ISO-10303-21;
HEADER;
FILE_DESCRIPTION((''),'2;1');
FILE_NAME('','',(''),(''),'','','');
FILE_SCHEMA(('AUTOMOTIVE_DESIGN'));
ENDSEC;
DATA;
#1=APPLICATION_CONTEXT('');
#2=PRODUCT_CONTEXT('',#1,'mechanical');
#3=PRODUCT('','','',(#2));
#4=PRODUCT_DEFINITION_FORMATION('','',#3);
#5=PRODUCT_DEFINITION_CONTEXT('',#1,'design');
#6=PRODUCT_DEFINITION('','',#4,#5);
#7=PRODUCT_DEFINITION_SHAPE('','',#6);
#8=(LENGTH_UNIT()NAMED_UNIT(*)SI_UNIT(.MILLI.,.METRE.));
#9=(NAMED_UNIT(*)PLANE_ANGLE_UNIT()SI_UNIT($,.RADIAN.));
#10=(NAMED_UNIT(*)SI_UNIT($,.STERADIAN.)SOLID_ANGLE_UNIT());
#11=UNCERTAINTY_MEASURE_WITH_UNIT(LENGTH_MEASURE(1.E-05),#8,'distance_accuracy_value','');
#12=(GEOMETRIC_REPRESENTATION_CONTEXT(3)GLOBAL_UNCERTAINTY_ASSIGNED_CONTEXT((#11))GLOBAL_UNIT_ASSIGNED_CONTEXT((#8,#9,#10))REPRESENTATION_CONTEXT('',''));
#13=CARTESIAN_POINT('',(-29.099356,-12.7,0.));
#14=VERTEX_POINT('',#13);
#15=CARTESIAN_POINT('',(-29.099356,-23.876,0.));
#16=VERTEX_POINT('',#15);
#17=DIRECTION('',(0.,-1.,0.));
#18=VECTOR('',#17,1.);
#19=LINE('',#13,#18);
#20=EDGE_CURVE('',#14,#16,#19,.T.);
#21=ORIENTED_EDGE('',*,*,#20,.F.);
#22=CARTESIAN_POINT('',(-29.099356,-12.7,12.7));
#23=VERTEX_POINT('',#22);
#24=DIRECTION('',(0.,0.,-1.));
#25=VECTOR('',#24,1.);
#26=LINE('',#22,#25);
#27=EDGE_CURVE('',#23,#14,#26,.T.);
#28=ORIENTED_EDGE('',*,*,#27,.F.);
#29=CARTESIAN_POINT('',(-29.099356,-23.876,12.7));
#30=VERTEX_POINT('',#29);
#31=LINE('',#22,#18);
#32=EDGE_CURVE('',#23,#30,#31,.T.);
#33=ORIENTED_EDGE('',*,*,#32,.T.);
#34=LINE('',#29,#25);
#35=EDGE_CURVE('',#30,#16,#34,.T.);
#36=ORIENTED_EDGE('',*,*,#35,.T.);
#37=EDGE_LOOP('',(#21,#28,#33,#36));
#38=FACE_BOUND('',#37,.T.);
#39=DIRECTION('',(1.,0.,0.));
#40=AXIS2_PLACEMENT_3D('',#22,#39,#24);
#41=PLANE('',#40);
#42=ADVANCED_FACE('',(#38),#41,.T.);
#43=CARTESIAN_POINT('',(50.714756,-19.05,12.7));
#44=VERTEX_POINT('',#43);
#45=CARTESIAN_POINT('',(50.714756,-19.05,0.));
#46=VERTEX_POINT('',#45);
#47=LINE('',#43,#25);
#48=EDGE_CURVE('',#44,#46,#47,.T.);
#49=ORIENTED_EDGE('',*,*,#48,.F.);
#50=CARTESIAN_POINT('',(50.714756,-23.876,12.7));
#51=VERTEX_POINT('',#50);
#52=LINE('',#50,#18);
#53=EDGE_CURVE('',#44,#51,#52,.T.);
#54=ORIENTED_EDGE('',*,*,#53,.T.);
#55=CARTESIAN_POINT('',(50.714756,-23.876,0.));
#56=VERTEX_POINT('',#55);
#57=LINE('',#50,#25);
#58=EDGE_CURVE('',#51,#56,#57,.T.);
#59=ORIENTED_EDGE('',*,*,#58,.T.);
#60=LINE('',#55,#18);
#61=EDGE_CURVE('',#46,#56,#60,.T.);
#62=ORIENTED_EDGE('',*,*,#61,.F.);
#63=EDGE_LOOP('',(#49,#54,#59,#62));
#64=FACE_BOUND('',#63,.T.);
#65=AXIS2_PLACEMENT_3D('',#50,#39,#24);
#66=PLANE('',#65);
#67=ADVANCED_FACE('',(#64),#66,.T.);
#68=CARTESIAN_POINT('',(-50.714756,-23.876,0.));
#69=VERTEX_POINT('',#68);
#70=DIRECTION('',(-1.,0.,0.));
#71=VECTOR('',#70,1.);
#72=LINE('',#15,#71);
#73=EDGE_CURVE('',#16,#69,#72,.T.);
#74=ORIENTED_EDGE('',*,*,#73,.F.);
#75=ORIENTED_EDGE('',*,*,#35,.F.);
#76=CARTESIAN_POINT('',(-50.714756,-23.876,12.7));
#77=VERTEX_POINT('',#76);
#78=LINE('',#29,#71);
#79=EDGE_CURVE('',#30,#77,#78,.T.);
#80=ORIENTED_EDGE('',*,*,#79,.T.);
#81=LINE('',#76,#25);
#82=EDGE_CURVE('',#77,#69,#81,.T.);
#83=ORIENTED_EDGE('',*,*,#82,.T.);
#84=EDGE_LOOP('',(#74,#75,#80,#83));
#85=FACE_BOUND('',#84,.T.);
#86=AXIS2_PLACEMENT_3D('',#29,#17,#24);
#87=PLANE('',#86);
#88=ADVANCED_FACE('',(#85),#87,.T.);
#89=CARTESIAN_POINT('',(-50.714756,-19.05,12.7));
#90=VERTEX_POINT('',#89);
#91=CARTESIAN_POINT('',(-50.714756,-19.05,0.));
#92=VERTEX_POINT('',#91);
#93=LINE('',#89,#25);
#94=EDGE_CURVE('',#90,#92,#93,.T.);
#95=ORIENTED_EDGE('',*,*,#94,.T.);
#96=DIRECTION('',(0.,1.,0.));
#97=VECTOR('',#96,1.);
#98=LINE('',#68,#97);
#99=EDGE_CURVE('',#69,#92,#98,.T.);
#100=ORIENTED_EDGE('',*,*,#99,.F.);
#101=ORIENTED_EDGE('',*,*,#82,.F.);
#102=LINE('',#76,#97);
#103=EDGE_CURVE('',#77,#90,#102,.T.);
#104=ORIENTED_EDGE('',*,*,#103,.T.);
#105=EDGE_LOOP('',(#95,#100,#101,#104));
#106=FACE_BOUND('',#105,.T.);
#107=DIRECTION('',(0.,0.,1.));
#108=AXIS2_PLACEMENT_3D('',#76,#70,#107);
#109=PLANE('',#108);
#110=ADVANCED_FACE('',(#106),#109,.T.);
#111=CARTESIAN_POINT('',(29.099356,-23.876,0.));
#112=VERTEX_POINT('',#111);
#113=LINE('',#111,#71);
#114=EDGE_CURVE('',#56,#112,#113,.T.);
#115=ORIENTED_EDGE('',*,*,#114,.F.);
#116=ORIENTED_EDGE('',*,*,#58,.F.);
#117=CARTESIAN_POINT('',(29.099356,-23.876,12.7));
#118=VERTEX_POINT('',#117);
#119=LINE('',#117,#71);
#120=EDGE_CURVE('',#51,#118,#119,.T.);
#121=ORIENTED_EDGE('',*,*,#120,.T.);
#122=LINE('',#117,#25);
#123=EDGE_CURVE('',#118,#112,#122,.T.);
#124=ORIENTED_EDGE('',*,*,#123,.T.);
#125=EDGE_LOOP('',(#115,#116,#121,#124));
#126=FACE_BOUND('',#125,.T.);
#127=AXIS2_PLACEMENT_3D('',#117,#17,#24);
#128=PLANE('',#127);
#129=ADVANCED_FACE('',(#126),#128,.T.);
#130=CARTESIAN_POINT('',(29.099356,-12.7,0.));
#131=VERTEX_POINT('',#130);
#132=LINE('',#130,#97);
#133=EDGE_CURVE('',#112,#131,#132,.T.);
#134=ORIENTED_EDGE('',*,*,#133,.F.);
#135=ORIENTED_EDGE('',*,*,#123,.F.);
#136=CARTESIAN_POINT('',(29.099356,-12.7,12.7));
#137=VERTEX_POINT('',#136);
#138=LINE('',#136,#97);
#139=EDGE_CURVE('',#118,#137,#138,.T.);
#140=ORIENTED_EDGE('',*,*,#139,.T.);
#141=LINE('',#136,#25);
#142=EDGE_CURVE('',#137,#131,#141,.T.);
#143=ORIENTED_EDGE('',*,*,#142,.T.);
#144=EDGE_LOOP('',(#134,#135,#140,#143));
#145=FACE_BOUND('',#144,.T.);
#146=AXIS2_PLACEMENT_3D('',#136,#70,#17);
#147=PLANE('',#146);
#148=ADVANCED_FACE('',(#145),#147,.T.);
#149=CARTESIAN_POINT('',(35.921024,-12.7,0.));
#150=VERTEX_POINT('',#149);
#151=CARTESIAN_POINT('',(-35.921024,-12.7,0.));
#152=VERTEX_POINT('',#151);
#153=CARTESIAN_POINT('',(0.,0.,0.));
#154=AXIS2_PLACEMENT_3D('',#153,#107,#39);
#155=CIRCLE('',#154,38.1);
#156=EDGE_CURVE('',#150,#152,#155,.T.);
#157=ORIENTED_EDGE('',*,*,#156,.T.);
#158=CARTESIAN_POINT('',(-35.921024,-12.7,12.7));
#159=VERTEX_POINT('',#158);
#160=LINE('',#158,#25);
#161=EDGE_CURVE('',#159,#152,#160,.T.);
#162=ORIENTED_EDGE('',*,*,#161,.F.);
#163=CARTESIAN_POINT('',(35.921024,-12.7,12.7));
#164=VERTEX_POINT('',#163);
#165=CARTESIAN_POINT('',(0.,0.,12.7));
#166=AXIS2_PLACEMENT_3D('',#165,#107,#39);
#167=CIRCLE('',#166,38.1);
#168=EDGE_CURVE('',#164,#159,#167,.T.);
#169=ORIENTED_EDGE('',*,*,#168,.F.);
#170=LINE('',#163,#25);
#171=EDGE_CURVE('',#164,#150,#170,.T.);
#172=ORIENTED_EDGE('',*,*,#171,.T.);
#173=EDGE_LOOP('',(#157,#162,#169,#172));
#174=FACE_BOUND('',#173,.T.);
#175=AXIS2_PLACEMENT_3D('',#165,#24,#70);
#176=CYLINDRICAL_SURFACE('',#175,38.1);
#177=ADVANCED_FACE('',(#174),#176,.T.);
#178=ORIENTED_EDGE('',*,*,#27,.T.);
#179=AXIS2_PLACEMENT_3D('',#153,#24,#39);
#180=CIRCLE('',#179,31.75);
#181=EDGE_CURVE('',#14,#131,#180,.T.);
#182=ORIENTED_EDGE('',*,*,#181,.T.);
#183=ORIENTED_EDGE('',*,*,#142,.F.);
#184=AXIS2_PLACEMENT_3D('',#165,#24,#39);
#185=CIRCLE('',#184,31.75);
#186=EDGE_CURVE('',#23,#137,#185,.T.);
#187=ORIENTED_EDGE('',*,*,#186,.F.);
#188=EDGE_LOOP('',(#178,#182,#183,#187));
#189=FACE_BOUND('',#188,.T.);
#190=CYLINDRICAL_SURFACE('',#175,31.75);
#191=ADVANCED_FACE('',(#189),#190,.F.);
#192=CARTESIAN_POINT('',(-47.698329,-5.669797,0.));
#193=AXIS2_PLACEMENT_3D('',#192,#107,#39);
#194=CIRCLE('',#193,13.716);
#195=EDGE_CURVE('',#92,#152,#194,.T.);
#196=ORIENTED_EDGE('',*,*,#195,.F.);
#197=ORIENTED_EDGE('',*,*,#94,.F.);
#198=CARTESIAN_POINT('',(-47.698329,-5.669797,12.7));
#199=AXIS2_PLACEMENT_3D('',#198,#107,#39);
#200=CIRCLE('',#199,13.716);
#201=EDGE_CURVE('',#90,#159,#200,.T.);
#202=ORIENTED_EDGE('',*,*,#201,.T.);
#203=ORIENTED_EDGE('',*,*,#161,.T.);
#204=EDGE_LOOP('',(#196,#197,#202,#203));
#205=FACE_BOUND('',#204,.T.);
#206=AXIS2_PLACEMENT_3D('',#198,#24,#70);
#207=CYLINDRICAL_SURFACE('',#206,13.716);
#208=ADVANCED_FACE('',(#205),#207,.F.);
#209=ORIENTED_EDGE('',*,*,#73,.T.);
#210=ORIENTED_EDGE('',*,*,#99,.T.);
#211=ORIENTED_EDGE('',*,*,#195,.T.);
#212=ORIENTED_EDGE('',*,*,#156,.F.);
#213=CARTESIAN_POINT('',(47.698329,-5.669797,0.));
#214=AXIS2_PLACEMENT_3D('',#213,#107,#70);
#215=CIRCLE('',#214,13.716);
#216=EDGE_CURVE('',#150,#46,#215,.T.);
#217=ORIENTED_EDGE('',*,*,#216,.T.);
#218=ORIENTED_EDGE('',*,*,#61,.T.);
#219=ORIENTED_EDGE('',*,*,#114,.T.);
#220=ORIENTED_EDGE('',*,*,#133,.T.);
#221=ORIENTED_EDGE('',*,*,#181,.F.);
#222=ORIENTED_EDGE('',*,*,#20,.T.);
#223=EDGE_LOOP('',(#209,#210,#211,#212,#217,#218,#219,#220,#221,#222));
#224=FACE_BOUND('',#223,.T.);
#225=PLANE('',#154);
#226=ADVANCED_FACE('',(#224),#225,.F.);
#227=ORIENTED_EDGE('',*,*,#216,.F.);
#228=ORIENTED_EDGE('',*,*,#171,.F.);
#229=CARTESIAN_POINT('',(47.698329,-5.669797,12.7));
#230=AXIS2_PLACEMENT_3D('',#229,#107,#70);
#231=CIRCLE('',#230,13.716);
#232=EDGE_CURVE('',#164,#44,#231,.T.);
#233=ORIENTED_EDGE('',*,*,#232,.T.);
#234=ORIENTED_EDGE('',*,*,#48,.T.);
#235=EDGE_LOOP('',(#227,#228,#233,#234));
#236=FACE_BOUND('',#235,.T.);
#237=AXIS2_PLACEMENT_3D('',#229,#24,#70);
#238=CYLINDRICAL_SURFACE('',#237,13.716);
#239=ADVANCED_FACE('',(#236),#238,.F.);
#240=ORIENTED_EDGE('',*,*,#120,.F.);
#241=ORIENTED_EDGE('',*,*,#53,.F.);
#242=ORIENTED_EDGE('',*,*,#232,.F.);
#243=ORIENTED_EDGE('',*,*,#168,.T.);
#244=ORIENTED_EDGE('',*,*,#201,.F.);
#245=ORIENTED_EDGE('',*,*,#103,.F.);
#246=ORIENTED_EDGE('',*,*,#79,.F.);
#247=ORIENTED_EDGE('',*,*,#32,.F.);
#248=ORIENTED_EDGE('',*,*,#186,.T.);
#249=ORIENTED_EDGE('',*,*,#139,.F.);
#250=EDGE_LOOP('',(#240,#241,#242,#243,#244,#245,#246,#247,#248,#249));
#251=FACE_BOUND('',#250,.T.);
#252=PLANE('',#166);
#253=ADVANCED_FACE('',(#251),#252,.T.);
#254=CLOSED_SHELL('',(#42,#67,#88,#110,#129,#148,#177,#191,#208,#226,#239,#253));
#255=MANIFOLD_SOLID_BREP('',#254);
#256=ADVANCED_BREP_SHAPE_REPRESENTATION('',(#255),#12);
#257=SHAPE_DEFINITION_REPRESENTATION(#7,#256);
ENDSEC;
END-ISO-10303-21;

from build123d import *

# Parameters (mm, degrees)
BOSS_EXTRUDE2_DEPTH = 12.7
BOSS_EXTRUDE3_DEPTH = 12.7


with BuildPart() as part:
    # Sketch3 → Boss-Extrude2 (new body)
    with BuildSketch(Plane.XY):
        with BuildLine():
            Line((-35.921024484, -12.7), (-29.099355663, -12.7))
            ThreePointArc((-29.099355663, -12.7), (0, 31.75), (29.099355663, -12.7))
            Line((29.099355663, -12.7), (35.921024484, -12.7))
            ThreePointArc((35.921024484, -12.7), (0, 38.1), (-35.921024484, -12.7))
        make_face()
    extrude(amount=BOSS_EXTRUDE2_DEPTH)

    # Sketch4 → Boss-Extrude3 (add)
    with BuildSketch(Plane(origin=(0, 0, 0), x_dir=(-1, 0, 0), z_dir=(0, 0, -1))):
        with BuildLine():
            Line((-29.099355663, -12.7), (-29.099355663, -23.876))
            Line((-29.099355663, -23.876), (-50.714755663, -23.876))
            Line((-50.714755663, -23.876), (-50.714755663, -19.05))
            ThreePointArc((-50.714755663, -19.05), (-42.288257842, -18.27375629), (-35.921024484, -12.7))
            Line((-35.921024484, -12.7), (-29.099355663, -12.7))
        make_face()
        with BuildLine():
            Line((29.099355663, -12.7), (29.099355663, -23.876))
            Line((29.099355663, -23.876), (50.714755663, -23.876))
            Line((50.714755663, -23.876), (50.714755663, -19.05))
            ThreePointArc((50.714755663, -19.05), (42.288257842, -18.27375629), (35.921024484, -12.7))
            Line((35.921024484, -12.7), (29.099355663, -12.7))
        make_face()
    extrude(amount=-BOSS_EXTRUDE3_DEPTH)


solid = part.part
